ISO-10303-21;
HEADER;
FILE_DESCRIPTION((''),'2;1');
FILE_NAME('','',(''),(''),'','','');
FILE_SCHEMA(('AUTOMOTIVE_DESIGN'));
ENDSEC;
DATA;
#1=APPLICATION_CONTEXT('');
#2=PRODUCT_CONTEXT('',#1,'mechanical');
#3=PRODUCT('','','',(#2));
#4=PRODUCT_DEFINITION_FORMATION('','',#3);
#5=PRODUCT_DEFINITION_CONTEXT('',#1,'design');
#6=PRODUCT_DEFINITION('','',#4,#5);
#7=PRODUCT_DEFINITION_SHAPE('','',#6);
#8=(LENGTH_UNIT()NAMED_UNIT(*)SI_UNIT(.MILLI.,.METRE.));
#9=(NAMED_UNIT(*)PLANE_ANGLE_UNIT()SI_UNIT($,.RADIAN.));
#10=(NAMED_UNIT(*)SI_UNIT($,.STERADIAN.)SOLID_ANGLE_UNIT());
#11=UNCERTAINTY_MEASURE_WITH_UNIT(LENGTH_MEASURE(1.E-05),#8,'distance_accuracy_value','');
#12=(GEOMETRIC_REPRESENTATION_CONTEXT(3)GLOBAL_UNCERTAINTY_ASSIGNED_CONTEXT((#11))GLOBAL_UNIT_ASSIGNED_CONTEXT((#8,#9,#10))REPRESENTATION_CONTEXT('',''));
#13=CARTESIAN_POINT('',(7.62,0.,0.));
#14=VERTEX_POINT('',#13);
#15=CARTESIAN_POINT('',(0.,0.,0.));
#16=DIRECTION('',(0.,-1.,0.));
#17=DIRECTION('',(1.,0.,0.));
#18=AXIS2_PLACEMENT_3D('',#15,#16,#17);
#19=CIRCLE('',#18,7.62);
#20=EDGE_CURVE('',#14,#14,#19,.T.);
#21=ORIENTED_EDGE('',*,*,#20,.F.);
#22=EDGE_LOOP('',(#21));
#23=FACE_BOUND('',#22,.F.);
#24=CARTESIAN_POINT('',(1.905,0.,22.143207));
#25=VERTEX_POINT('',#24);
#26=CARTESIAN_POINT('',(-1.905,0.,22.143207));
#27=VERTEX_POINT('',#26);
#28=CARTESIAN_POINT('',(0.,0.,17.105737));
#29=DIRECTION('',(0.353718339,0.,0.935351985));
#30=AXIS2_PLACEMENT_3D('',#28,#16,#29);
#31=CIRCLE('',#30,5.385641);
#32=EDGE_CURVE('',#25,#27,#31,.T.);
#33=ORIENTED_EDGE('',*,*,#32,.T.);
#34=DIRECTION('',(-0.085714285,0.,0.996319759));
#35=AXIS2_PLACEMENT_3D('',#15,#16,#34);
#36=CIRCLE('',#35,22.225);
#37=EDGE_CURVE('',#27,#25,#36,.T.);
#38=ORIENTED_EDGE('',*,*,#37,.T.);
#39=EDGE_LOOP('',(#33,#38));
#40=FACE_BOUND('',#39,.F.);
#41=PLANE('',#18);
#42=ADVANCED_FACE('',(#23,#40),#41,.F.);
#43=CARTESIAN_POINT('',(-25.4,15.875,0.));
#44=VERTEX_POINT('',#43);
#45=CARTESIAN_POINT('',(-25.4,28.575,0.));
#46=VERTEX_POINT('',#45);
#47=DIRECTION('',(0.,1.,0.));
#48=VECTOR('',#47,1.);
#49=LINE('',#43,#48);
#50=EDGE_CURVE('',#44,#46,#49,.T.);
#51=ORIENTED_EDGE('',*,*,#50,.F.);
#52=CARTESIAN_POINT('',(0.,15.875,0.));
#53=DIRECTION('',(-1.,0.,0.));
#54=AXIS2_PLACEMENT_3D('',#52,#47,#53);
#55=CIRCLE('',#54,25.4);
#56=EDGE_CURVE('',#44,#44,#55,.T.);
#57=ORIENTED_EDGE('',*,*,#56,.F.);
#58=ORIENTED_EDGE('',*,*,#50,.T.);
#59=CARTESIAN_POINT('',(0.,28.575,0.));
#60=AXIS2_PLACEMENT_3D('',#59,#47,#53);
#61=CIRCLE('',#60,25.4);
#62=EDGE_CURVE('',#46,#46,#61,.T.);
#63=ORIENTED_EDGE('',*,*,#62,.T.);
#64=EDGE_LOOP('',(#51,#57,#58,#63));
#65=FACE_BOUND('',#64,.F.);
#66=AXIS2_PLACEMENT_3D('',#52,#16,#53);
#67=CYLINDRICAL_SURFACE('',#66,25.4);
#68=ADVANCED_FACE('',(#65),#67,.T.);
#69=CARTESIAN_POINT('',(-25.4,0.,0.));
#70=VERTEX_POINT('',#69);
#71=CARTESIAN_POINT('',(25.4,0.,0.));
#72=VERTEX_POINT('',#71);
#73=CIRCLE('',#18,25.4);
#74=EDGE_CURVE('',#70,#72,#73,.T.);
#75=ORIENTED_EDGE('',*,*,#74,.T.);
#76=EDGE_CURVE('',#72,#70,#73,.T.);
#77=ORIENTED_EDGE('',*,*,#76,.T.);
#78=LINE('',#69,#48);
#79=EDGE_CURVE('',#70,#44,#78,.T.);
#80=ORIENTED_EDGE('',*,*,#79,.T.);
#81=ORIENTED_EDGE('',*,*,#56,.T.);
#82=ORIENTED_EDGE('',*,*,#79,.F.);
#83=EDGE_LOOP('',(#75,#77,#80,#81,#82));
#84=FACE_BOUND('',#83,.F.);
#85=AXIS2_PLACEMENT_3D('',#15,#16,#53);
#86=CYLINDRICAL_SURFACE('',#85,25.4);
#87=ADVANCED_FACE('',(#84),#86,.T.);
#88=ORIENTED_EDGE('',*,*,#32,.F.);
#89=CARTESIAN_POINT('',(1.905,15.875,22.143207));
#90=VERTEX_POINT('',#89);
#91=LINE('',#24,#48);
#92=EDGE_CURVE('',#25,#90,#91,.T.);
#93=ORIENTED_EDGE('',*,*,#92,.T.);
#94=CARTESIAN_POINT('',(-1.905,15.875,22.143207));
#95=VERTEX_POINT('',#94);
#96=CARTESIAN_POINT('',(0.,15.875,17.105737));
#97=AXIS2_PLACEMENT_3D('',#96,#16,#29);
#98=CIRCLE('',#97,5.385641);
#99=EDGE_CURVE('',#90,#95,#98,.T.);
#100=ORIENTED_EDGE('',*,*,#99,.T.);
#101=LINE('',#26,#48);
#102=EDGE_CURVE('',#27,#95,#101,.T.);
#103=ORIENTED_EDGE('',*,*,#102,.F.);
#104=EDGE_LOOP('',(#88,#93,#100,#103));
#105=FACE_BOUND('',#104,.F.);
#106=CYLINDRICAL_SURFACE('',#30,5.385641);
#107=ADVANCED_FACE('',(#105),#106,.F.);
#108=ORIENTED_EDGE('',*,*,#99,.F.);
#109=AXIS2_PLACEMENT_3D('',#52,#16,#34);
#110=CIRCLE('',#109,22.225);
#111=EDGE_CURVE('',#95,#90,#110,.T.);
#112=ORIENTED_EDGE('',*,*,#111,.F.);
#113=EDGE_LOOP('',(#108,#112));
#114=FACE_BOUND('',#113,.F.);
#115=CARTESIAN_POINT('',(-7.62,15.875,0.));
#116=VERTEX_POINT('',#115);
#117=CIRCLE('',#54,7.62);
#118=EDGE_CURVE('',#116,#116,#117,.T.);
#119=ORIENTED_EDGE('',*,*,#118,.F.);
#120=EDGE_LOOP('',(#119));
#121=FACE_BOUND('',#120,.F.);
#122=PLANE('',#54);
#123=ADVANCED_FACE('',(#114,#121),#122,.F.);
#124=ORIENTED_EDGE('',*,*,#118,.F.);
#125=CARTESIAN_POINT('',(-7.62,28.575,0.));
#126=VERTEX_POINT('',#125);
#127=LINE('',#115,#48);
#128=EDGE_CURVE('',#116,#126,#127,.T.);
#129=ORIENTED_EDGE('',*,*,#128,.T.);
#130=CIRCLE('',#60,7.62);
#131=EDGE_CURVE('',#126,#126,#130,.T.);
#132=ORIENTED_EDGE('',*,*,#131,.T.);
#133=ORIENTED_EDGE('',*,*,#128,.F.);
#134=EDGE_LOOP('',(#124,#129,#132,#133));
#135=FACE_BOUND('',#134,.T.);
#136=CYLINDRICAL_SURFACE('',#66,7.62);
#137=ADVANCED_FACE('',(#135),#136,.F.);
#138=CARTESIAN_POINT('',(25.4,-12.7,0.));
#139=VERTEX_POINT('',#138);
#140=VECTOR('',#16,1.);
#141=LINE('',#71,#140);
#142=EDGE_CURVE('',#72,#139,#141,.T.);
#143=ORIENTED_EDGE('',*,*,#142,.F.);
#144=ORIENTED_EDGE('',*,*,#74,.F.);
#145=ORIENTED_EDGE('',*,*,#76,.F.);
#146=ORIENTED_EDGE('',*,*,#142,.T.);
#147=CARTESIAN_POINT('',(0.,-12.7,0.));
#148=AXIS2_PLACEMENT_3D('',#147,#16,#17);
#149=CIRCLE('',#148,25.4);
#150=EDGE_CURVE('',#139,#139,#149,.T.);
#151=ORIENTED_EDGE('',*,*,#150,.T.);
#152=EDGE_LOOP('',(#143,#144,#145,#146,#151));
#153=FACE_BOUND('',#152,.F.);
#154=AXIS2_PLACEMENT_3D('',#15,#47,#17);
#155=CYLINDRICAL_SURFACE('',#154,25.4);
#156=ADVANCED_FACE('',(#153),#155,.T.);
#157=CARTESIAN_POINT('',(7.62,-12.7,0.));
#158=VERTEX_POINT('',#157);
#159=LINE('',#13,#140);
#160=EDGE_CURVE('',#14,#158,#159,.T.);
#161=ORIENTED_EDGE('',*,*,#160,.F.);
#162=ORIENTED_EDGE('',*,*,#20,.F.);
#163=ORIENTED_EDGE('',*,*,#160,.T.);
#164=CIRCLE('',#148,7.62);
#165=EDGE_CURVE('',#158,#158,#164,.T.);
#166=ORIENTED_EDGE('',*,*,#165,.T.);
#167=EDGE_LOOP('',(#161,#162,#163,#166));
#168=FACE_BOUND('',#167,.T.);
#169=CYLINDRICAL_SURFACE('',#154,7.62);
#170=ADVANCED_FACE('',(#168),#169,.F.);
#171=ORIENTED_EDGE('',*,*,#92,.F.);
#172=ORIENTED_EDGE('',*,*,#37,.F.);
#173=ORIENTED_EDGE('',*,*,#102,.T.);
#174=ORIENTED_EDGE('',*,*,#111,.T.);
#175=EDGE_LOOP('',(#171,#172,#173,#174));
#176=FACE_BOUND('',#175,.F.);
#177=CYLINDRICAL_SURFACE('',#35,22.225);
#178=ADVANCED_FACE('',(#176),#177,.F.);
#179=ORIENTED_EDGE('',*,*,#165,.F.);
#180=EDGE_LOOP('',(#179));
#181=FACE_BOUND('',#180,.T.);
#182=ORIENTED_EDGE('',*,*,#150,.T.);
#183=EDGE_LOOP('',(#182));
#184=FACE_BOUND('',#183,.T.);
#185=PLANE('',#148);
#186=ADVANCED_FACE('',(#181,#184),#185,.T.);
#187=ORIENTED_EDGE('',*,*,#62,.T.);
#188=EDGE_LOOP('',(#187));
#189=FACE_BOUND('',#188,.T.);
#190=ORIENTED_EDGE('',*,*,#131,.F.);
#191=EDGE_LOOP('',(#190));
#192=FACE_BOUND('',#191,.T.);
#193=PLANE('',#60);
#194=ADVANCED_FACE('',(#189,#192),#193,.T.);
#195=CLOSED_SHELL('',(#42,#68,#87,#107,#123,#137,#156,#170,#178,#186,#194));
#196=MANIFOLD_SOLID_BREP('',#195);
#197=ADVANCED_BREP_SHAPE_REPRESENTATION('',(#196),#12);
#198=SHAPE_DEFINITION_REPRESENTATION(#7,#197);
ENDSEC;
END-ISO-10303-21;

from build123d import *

# Parameters (mm, degrees)
F0_R     = 25.4
F0_R_2   = 7.62
F1_DEPTH = 12.7
F2_R     = 25.4
F3_DEPTH = 15.875
F4_R     = 25.4
F4_R_2   = 7.62
F5_DEPTH = 12.7


with BuildPart() as f1:
    # F0 (on Front) → F1 (new body)
    with BuildSketch(Plane.XZ):
        Circle(F0_R)
        Circle(F0_R_2, mode=Mode.SUBTRACT)
    extrude(amount=F1_DEPTH)

    # F2 (on face) → F3 (join)
    with BuildSketch(Plane(origin=(0, 0, 0), x_dir=(-1, 0, 0), z_dir=(0, 1, 0))):
        Circle(F2_R)
        with BuildLine():
            ThreePointArc((1.905, 22.143207), (0, -22.225), (-1.905, 22.143207))
            ThreePointArc((-1.905, 22.143207), (0, 22.491378), (1.905, 22.143207))
        make_face(mode=Mode.SUBTRACT)
    extrude(amount=F3_DEPTH)

    # F4 (on face) → F5 (join)
    with BuildSketch(Plane(origin=(0, 15.875, 0), x_dir=(-1, 0, 0), z_dir=(0, 1, 0))):
        Circle(F4_R)
        Circle(F4_R_2, mode=Mode.SUBTRACT)
    extrude(amount=F5_DEPTH)


solid = f1.part
